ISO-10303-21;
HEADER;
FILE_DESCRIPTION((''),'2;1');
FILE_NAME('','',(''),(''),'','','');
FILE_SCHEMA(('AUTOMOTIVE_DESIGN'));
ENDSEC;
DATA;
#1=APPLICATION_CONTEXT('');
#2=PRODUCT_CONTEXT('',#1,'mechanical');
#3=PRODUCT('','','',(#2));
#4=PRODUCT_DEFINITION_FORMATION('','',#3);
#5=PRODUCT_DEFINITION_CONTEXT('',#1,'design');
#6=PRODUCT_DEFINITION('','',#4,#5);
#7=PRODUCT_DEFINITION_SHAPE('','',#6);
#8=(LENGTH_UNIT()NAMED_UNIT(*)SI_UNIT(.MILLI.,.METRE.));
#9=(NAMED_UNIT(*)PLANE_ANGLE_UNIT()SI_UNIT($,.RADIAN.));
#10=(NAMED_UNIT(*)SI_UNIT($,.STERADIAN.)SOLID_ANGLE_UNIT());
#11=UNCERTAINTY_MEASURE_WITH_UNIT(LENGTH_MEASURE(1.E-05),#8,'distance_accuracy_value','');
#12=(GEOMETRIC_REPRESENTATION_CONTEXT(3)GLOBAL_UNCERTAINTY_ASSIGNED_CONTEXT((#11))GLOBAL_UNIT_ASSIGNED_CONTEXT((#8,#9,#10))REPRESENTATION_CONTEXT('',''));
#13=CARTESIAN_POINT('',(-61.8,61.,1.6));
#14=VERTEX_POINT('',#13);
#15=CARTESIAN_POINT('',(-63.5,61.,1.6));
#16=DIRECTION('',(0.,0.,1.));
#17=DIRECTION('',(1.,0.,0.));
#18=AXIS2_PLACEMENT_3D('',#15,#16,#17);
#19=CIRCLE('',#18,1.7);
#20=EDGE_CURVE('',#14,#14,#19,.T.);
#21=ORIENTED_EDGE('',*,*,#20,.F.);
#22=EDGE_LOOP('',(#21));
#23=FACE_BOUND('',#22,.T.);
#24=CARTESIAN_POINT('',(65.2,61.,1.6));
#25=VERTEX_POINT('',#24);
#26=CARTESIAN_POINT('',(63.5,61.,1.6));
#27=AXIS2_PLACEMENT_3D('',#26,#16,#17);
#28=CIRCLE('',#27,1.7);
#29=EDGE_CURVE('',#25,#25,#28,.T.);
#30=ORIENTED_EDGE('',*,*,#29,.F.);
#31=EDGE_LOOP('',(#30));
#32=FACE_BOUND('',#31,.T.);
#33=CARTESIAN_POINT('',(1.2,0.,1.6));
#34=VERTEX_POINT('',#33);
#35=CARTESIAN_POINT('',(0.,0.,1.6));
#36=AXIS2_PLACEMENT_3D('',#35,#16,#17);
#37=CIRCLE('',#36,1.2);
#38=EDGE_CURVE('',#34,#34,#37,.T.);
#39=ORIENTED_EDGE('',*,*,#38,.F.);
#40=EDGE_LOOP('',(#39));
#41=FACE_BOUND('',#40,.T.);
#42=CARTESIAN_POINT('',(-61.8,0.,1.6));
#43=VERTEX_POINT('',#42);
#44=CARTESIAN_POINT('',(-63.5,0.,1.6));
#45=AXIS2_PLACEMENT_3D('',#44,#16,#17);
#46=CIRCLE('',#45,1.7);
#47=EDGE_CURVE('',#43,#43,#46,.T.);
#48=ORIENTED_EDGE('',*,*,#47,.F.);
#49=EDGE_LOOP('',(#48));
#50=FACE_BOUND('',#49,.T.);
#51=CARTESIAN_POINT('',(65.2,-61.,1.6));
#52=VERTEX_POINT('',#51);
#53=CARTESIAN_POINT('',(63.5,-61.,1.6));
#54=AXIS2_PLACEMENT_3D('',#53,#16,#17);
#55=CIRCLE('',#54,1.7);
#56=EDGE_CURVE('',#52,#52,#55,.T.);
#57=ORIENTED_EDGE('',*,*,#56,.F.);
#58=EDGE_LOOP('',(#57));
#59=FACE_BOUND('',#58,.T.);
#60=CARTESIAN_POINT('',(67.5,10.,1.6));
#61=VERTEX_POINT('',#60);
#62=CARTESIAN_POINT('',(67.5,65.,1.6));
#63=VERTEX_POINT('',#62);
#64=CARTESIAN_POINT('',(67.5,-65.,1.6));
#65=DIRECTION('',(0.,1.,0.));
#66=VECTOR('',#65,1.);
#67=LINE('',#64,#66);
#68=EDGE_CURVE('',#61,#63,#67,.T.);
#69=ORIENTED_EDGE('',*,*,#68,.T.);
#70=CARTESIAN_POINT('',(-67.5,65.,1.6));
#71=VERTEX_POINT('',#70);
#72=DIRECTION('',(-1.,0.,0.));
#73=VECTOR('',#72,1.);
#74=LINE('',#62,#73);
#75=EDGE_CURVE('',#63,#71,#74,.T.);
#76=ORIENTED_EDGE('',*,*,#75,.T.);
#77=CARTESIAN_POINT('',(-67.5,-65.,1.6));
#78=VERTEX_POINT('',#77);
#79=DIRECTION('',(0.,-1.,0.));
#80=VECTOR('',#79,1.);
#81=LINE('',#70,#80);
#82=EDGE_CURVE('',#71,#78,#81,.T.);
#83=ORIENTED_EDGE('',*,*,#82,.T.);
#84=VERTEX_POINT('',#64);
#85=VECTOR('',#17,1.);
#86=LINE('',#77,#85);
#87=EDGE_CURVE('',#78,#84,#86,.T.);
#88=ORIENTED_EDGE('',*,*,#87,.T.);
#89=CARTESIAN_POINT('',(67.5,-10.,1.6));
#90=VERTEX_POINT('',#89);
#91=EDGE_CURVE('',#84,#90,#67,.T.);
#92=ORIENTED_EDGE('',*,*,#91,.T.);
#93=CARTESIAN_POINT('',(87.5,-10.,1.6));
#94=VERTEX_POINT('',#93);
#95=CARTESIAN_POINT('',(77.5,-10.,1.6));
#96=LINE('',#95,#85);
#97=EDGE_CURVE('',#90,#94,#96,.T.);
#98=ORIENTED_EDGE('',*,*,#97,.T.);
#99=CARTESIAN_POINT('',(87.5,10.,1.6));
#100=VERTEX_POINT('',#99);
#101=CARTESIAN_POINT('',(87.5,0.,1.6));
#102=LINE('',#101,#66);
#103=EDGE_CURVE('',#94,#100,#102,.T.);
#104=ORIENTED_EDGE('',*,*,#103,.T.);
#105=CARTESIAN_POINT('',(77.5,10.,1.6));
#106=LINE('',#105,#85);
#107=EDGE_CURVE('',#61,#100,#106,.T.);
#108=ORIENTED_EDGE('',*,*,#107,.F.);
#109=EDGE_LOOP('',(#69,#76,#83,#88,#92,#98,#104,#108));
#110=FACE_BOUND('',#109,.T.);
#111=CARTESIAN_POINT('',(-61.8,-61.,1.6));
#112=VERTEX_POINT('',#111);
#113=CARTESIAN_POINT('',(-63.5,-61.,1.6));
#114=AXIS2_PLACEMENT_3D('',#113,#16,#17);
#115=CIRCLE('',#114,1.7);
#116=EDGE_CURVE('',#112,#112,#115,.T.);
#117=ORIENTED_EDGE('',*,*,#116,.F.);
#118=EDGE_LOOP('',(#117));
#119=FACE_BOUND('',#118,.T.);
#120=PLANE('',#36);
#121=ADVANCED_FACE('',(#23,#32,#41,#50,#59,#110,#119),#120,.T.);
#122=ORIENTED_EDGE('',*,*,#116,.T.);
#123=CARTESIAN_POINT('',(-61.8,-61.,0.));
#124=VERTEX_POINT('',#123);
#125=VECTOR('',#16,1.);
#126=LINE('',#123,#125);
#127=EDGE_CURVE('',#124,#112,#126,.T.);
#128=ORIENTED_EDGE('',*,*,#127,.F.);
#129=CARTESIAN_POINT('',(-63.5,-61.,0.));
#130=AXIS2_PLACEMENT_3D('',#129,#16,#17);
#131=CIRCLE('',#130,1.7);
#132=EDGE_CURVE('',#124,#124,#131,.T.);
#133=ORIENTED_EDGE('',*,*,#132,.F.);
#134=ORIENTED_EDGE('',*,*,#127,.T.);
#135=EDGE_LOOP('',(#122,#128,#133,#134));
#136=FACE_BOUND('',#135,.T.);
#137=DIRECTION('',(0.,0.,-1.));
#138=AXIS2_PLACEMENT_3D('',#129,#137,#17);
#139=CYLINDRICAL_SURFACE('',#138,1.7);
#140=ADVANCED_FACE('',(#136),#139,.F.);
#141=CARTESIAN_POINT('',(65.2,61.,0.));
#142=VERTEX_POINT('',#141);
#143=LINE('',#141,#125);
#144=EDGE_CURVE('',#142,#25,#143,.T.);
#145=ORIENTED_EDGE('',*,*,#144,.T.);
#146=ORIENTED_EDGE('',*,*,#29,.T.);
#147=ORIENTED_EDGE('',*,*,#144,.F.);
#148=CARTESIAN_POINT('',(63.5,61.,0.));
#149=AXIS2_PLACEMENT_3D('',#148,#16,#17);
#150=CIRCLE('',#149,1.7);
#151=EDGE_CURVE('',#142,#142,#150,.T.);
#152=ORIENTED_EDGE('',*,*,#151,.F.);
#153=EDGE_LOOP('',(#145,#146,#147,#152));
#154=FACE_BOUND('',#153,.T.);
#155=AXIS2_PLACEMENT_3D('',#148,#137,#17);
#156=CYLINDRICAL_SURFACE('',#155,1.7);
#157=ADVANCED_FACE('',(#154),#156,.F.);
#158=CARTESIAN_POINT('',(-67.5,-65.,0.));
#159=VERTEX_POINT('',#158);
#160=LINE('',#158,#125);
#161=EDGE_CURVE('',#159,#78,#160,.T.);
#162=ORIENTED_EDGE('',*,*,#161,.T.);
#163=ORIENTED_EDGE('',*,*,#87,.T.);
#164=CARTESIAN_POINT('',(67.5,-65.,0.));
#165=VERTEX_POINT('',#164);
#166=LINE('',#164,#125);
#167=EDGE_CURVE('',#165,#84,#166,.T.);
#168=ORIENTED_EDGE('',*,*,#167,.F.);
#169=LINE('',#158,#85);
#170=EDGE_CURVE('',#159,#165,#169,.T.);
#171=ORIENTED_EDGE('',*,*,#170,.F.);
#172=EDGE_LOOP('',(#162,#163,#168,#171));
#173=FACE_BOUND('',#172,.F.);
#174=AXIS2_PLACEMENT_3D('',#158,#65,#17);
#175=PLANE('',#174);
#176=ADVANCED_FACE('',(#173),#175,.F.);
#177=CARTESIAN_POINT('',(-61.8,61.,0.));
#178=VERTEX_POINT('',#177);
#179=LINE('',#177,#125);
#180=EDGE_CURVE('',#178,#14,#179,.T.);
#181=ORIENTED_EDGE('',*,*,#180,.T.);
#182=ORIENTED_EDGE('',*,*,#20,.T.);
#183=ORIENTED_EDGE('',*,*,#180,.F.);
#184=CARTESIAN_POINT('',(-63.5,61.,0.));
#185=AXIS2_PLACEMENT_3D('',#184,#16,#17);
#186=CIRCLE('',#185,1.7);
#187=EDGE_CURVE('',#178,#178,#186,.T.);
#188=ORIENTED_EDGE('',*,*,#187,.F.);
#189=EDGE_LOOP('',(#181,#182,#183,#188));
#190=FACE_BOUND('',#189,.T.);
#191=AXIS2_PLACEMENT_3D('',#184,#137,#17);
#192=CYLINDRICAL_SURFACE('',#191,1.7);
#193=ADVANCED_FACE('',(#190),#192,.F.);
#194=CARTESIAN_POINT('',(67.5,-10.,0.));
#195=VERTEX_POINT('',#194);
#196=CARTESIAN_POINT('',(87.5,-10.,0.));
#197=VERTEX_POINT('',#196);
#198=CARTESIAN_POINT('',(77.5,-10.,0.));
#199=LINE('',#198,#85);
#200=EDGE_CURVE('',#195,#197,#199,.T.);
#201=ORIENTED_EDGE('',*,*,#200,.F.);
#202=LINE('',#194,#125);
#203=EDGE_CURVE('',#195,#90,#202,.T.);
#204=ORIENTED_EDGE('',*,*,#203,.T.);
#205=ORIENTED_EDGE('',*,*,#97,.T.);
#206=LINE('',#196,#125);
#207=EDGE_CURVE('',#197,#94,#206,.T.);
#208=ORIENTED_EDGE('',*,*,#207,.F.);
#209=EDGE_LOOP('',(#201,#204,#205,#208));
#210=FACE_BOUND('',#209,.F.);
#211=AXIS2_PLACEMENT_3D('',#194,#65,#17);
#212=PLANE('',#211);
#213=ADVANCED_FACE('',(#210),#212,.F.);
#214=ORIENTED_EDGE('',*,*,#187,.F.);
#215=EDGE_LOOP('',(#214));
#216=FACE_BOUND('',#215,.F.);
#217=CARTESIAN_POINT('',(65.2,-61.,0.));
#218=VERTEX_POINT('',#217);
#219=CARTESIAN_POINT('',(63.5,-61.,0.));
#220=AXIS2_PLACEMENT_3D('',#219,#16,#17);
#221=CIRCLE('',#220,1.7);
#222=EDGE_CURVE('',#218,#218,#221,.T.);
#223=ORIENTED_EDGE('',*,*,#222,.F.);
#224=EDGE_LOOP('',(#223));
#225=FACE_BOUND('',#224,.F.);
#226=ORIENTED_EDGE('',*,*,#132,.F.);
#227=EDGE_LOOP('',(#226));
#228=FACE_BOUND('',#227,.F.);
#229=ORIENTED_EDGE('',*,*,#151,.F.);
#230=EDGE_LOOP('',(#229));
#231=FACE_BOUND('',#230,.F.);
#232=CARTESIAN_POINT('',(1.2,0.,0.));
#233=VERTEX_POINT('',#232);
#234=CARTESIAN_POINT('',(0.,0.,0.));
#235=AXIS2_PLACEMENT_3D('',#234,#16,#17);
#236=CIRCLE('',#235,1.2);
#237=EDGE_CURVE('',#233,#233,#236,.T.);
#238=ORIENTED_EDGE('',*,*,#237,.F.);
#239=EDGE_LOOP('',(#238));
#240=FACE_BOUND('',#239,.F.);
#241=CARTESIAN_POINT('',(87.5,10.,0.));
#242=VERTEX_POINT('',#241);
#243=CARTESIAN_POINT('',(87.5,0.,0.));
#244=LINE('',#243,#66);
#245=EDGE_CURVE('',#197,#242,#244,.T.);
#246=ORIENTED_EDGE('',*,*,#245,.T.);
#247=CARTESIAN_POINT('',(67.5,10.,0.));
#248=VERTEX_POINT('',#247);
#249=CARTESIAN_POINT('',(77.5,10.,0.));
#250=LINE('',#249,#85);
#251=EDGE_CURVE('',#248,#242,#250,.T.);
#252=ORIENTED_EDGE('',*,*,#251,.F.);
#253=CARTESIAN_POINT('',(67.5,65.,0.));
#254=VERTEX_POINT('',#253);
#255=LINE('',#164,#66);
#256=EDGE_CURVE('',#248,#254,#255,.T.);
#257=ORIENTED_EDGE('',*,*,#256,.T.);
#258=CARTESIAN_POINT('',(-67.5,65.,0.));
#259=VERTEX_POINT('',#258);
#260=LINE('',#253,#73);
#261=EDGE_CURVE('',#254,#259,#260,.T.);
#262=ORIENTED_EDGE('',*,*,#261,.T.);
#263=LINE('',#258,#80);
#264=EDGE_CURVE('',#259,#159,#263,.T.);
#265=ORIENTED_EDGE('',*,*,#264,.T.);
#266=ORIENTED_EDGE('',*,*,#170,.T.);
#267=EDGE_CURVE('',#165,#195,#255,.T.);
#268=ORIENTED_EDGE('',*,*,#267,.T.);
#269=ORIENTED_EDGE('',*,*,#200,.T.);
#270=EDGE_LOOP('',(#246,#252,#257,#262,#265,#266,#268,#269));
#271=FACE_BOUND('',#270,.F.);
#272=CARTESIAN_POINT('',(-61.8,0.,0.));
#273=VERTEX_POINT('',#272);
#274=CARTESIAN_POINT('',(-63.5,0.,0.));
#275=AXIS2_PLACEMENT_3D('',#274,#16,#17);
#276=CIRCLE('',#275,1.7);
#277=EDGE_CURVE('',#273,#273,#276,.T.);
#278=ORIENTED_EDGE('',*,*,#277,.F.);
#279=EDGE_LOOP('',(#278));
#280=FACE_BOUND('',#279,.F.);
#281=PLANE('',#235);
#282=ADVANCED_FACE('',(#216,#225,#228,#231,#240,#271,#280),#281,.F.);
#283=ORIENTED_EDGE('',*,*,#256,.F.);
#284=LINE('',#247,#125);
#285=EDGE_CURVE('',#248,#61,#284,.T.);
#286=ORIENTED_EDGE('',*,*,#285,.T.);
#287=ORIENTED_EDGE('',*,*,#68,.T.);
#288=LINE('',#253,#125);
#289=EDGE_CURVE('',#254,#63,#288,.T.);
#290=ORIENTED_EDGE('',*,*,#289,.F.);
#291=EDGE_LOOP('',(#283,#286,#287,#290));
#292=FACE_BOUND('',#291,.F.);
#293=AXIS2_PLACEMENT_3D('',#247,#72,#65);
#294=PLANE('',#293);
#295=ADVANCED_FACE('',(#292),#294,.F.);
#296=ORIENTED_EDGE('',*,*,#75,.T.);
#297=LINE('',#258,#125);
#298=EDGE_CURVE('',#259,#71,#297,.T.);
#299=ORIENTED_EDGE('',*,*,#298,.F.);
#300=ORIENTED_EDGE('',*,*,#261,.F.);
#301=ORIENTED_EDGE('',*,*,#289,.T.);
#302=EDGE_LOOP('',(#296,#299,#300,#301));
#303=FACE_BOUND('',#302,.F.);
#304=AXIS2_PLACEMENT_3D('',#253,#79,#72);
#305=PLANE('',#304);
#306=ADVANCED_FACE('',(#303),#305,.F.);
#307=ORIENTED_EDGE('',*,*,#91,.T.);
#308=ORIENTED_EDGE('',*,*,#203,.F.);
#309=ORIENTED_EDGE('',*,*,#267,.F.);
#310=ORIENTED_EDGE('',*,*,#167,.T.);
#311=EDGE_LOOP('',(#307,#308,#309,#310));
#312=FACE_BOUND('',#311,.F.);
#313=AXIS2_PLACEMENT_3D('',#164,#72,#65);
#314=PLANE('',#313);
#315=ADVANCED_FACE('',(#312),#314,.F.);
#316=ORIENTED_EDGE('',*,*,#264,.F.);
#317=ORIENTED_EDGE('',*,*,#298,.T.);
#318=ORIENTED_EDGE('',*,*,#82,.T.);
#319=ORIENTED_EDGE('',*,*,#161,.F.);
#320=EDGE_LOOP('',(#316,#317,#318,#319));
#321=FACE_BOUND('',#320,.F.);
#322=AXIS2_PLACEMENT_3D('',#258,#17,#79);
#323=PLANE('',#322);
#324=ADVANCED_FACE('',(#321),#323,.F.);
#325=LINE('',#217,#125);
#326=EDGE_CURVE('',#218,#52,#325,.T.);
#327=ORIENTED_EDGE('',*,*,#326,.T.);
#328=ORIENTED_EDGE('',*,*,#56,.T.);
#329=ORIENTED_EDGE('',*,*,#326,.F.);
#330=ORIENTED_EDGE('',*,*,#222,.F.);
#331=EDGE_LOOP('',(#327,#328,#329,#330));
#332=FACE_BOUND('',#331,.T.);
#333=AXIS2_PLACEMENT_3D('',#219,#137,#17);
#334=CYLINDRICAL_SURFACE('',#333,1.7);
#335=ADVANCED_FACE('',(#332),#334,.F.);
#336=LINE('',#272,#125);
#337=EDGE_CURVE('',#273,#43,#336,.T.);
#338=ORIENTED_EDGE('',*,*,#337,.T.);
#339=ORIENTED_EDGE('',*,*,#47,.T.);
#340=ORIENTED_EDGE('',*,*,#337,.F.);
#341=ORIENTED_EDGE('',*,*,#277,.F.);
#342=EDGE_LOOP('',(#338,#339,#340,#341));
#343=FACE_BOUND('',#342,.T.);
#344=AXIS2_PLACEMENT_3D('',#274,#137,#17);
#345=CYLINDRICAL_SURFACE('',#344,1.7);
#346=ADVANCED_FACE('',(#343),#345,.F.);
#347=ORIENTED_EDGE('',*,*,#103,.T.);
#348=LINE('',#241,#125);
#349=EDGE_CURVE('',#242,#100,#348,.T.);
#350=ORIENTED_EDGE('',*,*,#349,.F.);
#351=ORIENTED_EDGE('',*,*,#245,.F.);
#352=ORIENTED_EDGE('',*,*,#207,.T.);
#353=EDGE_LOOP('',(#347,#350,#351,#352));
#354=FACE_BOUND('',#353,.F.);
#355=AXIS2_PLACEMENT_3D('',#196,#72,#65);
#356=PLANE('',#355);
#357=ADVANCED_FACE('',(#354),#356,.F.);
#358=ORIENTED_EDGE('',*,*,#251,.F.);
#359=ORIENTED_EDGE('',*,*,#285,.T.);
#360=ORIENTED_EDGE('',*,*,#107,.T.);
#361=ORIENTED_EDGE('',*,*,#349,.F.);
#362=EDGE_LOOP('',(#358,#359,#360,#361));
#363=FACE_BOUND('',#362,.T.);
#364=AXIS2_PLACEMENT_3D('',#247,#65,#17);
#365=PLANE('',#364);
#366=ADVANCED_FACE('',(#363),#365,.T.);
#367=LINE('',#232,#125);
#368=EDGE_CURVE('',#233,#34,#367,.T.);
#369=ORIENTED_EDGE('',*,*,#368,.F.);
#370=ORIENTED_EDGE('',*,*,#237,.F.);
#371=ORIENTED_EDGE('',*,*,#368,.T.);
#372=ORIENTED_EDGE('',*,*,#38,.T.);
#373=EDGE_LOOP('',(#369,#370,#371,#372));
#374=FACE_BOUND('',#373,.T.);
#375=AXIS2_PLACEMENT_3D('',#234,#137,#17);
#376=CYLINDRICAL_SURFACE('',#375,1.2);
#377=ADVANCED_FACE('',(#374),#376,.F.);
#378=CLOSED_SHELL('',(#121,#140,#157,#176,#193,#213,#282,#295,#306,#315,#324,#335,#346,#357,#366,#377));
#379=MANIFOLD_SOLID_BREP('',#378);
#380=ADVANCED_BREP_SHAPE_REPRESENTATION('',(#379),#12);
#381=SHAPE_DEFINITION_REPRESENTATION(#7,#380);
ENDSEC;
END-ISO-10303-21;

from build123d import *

# Parameters (mm, degrees)
F0_R     = 1.7
F0_R_2   = 1.2
F0_W     = 20
F0_H     = 20
F1_DEPTH = 1.6


with BuildPart() as f1:
    # F0 (on Top) → F1 (new body)
    with BuildSketch(Plane.XY):
        Polygon((67.5, 65), (-67.5, 65), (-67.5, -65), (67.5, -65), (67.5, -10), (67.5, 10), align=None)
        with Locations((-63.5, -61)):
            Circle(F0_R, mode=Mode.SUBTRACT)
        with Locations((63.5, -61)):
            Circle(F0_R, mode=Mode.SUBTRACT)
        with Locations((-63.5, 0)):
            Circle(F0_R, mode=Mode.SUBTRACT)
        Circle(F0_R_2, mode=Mode.SUBTRACT)
        with Locations((-63.5, 61)):
            Circle(F0_R, mode=Mode.SUBTRACT)
        with Locations((63.5, 61)):
            Circle(F0_R, mode=Mode.SUBTRACT)
        with Locations((77.5, 0)):
            Rectangle(F0_W, F0_H)
    extrude(amount=F1_DEPTH)


solid = f1.part
